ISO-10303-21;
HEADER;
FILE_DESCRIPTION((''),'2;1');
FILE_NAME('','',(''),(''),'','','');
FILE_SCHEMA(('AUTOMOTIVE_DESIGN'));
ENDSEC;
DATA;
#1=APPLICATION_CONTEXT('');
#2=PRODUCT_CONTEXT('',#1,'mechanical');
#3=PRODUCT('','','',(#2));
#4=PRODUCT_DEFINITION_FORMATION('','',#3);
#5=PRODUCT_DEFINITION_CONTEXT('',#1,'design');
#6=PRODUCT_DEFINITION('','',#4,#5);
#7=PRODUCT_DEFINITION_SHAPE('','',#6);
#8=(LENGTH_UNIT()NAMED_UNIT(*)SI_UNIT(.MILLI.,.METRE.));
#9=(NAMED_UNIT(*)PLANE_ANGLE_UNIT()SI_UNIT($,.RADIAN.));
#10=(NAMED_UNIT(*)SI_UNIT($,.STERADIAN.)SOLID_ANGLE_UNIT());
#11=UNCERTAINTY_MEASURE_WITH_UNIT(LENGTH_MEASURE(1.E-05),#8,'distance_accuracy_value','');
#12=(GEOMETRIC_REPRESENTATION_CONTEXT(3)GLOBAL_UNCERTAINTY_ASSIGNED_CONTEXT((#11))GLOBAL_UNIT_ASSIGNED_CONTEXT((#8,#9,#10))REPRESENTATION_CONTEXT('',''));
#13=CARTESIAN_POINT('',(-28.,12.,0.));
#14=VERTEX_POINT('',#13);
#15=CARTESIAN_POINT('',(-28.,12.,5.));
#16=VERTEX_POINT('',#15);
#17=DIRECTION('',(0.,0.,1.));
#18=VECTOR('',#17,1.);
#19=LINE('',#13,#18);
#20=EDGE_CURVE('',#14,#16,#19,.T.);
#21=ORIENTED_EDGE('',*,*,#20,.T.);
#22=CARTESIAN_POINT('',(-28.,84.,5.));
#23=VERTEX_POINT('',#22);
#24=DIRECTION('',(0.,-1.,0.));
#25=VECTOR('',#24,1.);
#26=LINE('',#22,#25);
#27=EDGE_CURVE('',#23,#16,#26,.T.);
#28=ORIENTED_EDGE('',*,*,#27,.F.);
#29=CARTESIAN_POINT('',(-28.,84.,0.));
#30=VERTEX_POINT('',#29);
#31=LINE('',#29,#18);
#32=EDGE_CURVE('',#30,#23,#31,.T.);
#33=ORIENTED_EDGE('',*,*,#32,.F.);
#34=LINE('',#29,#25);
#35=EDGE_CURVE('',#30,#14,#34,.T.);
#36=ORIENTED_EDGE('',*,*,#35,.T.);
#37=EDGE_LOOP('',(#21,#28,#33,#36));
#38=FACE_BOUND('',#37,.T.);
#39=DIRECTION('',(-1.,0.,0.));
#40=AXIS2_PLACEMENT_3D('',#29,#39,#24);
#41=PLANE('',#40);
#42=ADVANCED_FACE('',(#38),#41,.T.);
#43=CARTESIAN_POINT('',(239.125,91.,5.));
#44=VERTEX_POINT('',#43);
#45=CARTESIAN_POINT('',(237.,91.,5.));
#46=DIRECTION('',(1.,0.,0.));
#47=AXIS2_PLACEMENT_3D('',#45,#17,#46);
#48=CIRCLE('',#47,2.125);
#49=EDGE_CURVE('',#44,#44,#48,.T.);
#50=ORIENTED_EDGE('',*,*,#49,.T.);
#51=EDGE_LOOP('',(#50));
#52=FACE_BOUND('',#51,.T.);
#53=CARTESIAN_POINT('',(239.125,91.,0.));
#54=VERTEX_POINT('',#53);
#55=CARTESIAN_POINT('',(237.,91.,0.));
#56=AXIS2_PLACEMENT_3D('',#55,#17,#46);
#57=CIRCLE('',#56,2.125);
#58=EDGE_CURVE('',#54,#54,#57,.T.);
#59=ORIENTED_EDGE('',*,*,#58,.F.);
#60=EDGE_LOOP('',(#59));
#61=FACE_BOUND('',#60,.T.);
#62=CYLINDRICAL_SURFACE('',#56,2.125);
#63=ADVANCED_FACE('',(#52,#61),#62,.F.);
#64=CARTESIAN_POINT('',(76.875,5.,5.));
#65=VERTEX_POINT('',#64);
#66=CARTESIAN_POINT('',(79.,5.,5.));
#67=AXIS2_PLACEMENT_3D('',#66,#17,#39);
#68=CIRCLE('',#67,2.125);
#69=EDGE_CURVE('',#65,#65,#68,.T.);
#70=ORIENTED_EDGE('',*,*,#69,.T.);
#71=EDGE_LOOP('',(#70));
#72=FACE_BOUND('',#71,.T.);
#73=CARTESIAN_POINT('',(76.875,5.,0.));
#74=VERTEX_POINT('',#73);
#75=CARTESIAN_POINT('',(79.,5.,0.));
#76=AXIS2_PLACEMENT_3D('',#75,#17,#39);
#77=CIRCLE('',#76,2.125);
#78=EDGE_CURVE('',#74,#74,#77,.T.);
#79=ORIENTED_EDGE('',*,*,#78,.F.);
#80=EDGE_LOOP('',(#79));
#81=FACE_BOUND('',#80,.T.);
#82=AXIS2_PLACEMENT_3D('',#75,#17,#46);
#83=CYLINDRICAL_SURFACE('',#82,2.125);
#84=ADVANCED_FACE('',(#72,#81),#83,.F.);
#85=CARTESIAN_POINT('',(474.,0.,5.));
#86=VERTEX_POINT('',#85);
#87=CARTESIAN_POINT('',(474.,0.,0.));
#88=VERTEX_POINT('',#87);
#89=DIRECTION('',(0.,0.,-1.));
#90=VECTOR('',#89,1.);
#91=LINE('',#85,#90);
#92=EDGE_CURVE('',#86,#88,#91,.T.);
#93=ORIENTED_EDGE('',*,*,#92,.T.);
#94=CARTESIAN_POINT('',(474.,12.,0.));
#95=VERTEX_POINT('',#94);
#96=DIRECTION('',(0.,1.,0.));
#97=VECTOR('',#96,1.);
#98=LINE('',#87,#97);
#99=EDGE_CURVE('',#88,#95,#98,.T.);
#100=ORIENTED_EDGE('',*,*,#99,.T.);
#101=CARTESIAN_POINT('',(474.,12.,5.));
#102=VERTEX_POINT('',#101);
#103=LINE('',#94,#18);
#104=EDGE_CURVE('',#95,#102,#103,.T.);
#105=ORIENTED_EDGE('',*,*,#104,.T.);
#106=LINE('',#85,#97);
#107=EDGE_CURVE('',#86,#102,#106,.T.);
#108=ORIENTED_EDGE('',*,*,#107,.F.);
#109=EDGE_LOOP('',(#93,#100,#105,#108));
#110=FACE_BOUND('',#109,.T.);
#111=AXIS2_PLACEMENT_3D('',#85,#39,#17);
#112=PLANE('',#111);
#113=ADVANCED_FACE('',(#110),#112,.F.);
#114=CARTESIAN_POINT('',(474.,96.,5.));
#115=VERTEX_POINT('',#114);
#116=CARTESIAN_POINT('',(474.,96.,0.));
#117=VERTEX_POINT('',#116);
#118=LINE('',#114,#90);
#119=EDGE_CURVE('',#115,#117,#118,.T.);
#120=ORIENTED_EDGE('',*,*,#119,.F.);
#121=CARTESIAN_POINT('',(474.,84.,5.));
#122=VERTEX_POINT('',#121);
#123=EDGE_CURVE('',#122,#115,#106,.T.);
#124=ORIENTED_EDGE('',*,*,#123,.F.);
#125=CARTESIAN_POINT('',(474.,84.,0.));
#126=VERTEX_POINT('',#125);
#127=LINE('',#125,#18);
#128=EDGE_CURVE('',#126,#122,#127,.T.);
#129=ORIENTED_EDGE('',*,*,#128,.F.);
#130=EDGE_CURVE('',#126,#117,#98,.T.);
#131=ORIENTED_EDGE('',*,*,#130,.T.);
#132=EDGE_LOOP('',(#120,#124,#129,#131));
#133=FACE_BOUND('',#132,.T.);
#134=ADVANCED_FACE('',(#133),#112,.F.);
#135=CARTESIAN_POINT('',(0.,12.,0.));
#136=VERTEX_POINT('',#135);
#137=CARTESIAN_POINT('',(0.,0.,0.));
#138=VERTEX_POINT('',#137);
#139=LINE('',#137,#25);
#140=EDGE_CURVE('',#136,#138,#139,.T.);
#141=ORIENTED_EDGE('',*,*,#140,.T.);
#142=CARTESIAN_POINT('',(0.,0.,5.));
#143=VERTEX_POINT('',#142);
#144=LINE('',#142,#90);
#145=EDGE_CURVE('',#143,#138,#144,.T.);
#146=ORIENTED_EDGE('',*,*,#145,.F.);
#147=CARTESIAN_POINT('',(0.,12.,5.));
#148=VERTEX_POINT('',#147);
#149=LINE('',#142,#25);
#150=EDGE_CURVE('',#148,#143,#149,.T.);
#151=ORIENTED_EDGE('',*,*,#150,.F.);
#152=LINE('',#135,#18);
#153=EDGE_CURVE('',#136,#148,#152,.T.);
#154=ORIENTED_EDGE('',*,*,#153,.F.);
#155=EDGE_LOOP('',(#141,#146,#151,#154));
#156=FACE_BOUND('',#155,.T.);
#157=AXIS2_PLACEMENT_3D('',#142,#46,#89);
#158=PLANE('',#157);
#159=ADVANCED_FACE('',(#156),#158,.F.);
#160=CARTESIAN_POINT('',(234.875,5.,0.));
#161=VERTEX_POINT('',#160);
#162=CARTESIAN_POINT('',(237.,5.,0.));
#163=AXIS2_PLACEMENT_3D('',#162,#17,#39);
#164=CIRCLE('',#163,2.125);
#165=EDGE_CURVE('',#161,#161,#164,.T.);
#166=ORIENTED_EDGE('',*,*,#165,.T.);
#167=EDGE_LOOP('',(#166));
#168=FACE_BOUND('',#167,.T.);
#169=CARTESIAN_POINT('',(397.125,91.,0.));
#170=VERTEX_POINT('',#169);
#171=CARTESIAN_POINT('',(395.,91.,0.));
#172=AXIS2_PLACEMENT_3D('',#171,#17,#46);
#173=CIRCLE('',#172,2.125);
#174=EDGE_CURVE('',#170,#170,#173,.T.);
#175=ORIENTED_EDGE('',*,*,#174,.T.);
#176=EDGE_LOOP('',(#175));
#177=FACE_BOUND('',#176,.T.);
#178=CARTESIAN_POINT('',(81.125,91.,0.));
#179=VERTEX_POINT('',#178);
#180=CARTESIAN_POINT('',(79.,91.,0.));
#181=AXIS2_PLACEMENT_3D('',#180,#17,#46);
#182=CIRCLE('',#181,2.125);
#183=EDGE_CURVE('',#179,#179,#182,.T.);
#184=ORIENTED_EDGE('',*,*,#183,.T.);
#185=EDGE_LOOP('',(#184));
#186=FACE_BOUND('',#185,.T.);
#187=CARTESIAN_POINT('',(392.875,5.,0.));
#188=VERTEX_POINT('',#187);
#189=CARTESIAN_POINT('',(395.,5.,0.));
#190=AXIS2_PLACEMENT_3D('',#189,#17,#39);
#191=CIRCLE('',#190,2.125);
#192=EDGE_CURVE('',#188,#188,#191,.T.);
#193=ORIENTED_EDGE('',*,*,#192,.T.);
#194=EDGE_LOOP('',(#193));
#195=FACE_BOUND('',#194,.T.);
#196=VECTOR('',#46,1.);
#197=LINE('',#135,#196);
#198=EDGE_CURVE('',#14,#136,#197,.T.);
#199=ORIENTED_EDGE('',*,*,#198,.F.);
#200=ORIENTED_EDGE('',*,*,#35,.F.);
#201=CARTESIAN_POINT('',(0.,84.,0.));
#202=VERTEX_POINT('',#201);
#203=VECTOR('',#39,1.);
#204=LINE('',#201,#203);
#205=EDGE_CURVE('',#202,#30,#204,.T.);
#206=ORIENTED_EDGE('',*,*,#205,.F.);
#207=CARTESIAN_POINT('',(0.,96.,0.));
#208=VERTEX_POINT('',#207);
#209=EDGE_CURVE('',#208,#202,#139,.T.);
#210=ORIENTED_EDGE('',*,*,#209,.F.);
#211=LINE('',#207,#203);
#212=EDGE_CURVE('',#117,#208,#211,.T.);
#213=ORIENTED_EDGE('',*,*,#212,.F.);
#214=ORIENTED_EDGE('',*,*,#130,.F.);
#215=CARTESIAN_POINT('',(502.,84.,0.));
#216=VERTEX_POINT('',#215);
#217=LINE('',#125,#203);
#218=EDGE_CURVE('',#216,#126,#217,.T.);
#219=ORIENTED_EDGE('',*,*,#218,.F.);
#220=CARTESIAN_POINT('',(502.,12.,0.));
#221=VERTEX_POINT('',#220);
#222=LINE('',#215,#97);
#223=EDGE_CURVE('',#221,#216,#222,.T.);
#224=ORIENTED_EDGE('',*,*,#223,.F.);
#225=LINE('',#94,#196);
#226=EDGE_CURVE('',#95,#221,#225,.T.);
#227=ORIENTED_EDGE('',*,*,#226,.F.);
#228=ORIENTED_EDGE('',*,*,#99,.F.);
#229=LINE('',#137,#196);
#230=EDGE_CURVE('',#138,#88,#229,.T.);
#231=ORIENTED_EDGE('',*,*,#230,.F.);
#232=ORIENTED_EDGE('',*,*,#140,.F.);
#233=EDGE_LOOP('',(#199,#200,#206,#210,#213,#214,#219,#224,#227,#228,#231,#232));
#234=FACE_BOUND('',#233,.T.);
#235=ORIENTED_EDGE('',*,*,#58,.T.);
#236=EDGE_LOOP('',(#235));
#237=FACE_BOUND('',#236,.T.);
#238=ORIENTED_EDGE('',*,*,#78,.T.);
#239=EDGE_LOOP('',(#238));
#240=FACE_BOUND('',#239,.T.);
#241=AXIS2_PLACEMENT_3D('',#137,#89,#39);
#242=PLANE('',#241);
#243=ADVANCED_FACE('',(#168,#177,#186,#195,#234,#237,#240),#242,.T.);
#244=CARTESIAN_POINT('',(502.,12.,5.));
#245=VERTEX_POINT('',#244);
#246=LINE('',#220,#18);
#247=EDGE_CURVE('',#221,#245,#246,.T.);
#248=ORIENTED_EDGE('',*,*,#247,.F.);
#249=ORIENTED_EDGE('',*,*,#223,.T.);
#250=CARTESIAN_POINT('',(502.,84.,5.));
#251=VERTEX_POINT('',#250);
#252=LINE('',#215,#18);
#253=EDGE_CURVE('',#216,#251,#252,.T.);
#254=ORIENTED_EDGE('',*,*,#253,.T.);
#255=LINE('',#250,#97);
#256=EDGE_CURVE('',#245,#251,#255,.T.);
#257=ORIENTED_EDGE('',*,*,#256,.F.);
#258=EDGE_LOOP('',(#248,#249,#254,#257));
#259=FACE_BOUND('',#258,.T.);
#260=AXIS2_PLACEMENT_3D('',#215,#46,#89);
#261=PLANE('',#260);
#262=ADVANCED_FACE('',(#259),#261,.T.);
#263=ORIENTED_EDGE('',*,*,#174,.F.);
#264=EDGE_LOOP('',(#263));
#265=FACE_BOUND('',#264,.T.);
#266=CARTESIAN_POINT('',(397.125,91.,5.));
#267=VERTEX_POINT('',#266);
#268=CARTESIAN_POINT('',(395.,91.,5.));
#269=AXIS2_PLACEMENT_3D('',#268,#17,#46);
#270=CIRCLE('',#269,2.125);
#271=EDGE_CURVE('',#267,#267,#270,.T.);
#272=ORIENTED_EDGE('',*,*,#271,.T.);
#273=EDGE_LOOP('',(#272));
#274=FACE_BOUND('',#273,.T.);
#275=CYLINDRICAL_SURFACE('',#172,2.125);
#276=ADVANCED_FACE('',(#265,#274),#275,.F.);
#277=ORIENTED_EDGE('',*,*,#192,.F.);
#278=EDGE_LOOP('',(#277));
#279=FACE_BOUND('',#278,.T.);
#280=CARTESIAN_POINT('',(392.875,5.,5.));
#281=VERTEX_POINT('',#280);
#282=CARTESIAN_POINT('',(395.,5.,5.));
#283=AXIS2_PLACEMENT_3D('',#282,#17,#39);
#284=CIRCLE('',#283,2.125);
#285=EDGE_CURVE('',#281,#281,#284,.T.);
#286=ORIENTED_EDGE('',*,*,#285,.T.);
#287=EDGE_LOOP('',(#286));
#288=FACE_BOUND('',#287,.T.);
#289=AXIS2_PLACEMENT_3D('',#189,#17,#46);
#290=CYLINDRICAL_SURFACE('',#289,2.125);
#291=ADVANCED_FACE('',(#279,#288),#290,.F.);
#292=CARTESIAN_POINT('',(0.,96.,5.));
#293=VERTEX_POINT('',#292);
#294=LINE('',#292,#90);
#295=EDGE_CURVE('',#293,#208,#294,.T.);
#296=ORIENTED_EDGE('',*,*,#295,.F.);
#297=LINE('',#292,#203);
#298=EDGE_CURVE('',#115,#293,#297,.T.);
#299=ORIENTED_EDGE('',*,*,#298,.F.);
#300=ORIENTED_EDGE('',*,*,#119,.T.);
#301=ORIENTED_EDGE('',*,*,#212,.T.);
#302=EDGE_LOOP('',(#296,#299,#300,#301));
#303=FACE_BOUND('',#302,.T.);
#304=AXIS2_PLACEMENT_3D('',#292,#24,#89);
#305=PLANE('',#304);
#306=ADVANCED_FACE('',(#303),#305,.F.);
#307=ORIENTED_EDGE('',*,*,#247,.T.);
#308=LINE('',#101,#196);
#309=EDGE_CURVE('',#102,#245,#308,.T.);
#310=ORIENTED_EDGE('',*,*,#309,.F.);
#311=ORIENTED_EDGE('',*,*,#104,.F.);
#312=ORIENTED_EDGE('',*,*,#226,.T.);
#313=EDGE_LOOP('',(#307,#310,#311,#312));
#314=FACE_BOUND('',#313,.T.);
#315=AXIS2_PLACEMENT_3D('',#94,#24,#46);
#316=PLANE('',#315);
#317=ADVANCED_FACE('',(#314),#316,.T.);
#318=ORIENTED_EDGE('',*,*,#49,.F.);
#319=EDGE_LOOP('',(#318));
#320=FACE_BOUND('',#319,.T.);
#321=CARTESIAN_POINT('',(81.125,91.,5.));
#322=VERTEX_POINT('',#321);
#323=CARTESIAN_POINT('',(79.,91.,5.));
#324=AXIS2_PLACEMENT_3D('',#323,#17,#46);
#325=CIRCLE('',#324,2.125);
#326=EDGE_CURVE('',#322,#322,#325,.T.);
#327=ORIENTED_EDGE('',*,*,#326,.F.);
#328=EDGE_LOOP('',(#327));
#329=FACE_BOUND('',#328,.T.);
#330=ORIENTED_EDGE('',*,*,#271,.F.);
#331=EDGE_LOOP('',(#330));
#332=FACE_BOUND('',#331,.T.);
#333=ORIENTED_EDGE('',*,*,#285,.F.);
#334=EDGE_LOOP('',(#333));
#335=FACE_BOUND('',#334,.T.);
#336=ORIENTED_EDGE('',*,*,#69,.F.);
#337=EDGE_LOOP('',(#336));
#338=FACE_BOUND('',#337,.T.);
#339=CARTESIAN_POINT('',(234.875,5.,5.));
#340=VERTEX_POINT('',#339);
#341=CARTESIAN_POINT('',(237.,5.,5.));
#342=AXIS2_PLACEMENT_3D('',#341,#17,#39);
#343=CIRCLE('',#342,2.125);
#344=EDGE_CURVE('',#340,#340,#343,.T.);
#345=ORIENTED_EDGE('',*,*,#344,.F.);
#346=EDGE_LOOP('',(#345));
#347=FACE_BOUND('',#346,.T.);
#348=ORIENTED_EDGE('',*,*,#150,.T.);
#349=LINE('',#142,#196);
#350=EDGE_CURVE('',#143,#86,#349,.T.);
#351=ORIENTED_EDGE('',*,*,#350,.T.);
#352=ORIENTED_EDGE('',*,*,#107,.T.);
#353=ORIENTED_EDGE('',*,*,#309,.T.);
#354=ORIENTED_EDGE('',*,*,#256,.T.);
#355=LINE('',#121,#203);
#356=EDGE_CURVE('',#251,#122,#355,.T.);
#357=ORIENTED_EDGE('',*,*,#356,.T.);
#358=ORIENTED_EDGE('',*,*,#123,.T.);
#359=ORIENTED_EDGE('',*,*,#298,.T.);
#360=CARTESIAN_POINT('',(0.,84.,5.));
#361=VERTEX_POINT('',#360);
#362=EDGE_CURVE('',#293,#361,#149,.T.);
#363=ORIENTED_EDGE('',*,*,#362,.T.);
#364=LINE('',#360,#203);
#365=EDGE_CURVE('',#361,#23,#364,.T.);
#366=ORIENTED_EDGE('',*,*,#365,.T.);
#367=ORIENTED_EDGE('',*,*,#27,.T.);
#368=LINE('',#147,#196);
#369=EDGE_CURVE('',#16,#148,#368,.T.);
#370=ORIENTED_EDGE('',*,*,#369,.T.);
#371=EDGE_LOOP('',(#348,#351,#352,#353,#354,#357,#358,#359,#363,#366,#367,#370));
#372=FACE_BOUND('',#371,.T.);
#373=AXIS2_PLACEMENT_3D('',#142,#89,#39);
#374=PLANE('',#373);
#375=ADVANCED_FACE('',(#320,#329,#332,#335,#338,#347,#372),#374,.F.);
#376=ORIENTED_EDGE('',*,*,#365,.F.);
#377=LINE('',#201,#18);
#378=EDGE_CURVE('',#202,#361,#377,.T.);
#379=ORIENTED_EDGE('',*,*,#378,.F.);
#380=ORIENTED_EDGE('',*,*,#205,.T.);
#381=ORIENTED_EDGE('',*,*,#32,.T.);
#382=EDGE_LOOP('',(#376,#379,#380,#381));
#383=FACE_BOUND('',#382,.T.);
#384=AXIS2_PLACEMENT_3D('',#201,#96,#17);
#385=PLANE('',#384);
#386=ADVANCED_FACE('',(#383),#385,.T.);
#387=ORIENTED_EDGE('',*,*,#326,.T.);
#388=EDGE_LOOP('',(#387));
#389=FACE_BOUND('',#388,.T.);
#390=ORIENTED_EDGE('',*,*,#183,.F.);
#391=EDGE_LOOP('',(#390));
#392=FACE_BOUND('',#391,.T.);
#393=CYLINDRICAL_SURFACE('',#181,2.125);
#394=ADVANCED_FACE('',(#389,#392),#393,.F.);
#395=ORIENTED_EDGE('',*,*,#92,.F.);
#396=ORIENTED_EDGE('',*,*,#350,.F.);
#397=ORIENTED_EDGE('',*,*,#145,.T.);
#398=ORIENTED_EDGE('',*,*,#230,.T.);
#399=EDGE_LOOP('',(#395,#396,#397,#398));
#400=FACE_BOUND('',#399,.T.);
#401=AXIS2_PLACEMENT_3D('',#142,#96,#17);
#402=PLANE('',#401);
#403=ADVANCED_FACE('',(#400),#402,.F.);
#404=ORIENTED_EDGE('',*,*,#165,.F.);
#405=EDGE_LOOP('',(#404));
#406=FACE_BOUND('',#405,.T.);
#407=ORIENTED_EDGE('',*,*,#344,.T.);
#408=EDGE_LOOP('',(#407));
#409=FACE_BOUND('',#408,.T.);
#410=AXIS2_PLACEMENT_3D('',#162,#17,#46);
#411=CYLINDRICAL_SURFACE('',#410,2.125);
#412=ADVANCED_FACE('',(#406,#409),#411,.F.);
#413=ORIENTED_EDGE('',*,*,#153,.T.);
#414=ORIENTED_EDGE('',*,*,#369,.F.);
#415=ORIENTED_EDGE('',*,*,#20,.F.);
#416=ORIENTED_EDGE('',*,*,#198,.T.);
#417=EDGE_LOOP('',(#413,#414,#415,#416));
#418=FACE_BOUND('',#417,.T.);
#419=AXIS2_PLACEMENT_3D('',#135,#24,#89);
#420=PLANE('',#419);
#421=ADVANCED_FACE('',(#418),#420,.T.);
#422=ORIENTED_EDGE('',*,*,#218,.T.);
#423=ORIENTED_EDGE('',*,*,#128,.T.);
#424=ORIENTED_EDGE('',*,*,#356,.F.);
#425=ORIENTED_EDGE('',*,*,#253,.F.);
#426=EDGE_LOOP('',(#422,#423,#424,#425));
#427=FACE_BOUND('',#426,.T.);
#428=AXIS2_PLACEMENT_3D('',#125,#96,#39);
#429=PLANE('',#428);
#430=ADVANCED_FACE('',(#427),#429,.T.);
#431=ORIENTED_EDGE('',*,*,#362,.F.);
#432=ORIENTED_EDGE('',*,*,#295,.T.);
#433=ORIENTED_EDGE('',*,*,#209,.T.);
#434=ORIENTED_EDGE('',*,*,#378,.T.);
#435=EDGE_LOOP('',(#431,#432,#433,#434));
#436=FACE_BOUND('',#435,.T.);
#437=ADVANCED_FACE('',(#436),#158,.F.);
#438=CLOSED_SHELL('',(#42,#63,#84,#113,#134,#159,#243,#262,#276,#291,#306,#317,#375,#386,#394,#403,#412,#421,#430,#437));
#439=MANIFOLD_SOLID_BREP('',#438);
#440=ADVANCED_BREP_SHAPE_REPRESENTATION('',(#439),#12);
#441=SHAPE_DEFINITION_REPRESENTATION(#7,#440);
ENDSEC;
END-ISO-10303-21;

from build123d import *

# Parameters (mm, degrees)
SKETCH1_W           = 474
SKETCH1_H           = 96
BOSS_EXTRUDE1_DEPTH = 5
SKETCH2_R           = 2.125
CUT_EXTRUDE1_DEPTH  = 5
SKETCH3_W           = 28
SKETCH3_H           = 72
BOSS_EXTRUDE2_DEPTH = 5


with BuildPart() as part:
    # Sketch1 → Boss-Extrude1 (new body)
    with BuildSketch(Plane.XY):
        with Locations((237, 48)):
            Rectangle(SKETCH1_W, SKETCH1_H)
    extrude(amount=BOSS_EXTRUDE1_DEPTH)

    # Sketch2 → Cut-Extrude1 (cut)
    with BuildSketch(Plane.XY.offset(5)):
        with Locations((79, 91)):
            Circle(SKETCH2_R)
        with Locations((237, 91)):
            Circle(SKETCH2_R)
        with Locations((395, 91)):
            Circle(SKETCH2_R)
        with Locations(Location((395, 5, 0), (0, 0, 180))):
            Circle(SKETCH2_R)
        with Locations(Location((237, 5, 0), (0, 0, 180))):
            Circle(SKETCH2_R)
        with Locations(Location((79, 5, 0), (0, 0, 180))):
            Circle(SKETCH2_R)
    extrude(amount=-CUT_EXTRUDE1_DEPTH, mode=Mode.SUBTRACT)

    # Sketch3 → Boss-Extrude2 (add)
    with BuildSketch(Plane.XY.offset(5)):
        with Locations((488, 48)):
            Rectangle(SKETCH3_W, SKETCH3_H)
        with Locations((-14, 48)):
            Rectangle(SKETCH3_W, SKETCH3_H)
    extrude(amount=-BOSS_EXTRUDE2_DEPTH)


solid = part.part
